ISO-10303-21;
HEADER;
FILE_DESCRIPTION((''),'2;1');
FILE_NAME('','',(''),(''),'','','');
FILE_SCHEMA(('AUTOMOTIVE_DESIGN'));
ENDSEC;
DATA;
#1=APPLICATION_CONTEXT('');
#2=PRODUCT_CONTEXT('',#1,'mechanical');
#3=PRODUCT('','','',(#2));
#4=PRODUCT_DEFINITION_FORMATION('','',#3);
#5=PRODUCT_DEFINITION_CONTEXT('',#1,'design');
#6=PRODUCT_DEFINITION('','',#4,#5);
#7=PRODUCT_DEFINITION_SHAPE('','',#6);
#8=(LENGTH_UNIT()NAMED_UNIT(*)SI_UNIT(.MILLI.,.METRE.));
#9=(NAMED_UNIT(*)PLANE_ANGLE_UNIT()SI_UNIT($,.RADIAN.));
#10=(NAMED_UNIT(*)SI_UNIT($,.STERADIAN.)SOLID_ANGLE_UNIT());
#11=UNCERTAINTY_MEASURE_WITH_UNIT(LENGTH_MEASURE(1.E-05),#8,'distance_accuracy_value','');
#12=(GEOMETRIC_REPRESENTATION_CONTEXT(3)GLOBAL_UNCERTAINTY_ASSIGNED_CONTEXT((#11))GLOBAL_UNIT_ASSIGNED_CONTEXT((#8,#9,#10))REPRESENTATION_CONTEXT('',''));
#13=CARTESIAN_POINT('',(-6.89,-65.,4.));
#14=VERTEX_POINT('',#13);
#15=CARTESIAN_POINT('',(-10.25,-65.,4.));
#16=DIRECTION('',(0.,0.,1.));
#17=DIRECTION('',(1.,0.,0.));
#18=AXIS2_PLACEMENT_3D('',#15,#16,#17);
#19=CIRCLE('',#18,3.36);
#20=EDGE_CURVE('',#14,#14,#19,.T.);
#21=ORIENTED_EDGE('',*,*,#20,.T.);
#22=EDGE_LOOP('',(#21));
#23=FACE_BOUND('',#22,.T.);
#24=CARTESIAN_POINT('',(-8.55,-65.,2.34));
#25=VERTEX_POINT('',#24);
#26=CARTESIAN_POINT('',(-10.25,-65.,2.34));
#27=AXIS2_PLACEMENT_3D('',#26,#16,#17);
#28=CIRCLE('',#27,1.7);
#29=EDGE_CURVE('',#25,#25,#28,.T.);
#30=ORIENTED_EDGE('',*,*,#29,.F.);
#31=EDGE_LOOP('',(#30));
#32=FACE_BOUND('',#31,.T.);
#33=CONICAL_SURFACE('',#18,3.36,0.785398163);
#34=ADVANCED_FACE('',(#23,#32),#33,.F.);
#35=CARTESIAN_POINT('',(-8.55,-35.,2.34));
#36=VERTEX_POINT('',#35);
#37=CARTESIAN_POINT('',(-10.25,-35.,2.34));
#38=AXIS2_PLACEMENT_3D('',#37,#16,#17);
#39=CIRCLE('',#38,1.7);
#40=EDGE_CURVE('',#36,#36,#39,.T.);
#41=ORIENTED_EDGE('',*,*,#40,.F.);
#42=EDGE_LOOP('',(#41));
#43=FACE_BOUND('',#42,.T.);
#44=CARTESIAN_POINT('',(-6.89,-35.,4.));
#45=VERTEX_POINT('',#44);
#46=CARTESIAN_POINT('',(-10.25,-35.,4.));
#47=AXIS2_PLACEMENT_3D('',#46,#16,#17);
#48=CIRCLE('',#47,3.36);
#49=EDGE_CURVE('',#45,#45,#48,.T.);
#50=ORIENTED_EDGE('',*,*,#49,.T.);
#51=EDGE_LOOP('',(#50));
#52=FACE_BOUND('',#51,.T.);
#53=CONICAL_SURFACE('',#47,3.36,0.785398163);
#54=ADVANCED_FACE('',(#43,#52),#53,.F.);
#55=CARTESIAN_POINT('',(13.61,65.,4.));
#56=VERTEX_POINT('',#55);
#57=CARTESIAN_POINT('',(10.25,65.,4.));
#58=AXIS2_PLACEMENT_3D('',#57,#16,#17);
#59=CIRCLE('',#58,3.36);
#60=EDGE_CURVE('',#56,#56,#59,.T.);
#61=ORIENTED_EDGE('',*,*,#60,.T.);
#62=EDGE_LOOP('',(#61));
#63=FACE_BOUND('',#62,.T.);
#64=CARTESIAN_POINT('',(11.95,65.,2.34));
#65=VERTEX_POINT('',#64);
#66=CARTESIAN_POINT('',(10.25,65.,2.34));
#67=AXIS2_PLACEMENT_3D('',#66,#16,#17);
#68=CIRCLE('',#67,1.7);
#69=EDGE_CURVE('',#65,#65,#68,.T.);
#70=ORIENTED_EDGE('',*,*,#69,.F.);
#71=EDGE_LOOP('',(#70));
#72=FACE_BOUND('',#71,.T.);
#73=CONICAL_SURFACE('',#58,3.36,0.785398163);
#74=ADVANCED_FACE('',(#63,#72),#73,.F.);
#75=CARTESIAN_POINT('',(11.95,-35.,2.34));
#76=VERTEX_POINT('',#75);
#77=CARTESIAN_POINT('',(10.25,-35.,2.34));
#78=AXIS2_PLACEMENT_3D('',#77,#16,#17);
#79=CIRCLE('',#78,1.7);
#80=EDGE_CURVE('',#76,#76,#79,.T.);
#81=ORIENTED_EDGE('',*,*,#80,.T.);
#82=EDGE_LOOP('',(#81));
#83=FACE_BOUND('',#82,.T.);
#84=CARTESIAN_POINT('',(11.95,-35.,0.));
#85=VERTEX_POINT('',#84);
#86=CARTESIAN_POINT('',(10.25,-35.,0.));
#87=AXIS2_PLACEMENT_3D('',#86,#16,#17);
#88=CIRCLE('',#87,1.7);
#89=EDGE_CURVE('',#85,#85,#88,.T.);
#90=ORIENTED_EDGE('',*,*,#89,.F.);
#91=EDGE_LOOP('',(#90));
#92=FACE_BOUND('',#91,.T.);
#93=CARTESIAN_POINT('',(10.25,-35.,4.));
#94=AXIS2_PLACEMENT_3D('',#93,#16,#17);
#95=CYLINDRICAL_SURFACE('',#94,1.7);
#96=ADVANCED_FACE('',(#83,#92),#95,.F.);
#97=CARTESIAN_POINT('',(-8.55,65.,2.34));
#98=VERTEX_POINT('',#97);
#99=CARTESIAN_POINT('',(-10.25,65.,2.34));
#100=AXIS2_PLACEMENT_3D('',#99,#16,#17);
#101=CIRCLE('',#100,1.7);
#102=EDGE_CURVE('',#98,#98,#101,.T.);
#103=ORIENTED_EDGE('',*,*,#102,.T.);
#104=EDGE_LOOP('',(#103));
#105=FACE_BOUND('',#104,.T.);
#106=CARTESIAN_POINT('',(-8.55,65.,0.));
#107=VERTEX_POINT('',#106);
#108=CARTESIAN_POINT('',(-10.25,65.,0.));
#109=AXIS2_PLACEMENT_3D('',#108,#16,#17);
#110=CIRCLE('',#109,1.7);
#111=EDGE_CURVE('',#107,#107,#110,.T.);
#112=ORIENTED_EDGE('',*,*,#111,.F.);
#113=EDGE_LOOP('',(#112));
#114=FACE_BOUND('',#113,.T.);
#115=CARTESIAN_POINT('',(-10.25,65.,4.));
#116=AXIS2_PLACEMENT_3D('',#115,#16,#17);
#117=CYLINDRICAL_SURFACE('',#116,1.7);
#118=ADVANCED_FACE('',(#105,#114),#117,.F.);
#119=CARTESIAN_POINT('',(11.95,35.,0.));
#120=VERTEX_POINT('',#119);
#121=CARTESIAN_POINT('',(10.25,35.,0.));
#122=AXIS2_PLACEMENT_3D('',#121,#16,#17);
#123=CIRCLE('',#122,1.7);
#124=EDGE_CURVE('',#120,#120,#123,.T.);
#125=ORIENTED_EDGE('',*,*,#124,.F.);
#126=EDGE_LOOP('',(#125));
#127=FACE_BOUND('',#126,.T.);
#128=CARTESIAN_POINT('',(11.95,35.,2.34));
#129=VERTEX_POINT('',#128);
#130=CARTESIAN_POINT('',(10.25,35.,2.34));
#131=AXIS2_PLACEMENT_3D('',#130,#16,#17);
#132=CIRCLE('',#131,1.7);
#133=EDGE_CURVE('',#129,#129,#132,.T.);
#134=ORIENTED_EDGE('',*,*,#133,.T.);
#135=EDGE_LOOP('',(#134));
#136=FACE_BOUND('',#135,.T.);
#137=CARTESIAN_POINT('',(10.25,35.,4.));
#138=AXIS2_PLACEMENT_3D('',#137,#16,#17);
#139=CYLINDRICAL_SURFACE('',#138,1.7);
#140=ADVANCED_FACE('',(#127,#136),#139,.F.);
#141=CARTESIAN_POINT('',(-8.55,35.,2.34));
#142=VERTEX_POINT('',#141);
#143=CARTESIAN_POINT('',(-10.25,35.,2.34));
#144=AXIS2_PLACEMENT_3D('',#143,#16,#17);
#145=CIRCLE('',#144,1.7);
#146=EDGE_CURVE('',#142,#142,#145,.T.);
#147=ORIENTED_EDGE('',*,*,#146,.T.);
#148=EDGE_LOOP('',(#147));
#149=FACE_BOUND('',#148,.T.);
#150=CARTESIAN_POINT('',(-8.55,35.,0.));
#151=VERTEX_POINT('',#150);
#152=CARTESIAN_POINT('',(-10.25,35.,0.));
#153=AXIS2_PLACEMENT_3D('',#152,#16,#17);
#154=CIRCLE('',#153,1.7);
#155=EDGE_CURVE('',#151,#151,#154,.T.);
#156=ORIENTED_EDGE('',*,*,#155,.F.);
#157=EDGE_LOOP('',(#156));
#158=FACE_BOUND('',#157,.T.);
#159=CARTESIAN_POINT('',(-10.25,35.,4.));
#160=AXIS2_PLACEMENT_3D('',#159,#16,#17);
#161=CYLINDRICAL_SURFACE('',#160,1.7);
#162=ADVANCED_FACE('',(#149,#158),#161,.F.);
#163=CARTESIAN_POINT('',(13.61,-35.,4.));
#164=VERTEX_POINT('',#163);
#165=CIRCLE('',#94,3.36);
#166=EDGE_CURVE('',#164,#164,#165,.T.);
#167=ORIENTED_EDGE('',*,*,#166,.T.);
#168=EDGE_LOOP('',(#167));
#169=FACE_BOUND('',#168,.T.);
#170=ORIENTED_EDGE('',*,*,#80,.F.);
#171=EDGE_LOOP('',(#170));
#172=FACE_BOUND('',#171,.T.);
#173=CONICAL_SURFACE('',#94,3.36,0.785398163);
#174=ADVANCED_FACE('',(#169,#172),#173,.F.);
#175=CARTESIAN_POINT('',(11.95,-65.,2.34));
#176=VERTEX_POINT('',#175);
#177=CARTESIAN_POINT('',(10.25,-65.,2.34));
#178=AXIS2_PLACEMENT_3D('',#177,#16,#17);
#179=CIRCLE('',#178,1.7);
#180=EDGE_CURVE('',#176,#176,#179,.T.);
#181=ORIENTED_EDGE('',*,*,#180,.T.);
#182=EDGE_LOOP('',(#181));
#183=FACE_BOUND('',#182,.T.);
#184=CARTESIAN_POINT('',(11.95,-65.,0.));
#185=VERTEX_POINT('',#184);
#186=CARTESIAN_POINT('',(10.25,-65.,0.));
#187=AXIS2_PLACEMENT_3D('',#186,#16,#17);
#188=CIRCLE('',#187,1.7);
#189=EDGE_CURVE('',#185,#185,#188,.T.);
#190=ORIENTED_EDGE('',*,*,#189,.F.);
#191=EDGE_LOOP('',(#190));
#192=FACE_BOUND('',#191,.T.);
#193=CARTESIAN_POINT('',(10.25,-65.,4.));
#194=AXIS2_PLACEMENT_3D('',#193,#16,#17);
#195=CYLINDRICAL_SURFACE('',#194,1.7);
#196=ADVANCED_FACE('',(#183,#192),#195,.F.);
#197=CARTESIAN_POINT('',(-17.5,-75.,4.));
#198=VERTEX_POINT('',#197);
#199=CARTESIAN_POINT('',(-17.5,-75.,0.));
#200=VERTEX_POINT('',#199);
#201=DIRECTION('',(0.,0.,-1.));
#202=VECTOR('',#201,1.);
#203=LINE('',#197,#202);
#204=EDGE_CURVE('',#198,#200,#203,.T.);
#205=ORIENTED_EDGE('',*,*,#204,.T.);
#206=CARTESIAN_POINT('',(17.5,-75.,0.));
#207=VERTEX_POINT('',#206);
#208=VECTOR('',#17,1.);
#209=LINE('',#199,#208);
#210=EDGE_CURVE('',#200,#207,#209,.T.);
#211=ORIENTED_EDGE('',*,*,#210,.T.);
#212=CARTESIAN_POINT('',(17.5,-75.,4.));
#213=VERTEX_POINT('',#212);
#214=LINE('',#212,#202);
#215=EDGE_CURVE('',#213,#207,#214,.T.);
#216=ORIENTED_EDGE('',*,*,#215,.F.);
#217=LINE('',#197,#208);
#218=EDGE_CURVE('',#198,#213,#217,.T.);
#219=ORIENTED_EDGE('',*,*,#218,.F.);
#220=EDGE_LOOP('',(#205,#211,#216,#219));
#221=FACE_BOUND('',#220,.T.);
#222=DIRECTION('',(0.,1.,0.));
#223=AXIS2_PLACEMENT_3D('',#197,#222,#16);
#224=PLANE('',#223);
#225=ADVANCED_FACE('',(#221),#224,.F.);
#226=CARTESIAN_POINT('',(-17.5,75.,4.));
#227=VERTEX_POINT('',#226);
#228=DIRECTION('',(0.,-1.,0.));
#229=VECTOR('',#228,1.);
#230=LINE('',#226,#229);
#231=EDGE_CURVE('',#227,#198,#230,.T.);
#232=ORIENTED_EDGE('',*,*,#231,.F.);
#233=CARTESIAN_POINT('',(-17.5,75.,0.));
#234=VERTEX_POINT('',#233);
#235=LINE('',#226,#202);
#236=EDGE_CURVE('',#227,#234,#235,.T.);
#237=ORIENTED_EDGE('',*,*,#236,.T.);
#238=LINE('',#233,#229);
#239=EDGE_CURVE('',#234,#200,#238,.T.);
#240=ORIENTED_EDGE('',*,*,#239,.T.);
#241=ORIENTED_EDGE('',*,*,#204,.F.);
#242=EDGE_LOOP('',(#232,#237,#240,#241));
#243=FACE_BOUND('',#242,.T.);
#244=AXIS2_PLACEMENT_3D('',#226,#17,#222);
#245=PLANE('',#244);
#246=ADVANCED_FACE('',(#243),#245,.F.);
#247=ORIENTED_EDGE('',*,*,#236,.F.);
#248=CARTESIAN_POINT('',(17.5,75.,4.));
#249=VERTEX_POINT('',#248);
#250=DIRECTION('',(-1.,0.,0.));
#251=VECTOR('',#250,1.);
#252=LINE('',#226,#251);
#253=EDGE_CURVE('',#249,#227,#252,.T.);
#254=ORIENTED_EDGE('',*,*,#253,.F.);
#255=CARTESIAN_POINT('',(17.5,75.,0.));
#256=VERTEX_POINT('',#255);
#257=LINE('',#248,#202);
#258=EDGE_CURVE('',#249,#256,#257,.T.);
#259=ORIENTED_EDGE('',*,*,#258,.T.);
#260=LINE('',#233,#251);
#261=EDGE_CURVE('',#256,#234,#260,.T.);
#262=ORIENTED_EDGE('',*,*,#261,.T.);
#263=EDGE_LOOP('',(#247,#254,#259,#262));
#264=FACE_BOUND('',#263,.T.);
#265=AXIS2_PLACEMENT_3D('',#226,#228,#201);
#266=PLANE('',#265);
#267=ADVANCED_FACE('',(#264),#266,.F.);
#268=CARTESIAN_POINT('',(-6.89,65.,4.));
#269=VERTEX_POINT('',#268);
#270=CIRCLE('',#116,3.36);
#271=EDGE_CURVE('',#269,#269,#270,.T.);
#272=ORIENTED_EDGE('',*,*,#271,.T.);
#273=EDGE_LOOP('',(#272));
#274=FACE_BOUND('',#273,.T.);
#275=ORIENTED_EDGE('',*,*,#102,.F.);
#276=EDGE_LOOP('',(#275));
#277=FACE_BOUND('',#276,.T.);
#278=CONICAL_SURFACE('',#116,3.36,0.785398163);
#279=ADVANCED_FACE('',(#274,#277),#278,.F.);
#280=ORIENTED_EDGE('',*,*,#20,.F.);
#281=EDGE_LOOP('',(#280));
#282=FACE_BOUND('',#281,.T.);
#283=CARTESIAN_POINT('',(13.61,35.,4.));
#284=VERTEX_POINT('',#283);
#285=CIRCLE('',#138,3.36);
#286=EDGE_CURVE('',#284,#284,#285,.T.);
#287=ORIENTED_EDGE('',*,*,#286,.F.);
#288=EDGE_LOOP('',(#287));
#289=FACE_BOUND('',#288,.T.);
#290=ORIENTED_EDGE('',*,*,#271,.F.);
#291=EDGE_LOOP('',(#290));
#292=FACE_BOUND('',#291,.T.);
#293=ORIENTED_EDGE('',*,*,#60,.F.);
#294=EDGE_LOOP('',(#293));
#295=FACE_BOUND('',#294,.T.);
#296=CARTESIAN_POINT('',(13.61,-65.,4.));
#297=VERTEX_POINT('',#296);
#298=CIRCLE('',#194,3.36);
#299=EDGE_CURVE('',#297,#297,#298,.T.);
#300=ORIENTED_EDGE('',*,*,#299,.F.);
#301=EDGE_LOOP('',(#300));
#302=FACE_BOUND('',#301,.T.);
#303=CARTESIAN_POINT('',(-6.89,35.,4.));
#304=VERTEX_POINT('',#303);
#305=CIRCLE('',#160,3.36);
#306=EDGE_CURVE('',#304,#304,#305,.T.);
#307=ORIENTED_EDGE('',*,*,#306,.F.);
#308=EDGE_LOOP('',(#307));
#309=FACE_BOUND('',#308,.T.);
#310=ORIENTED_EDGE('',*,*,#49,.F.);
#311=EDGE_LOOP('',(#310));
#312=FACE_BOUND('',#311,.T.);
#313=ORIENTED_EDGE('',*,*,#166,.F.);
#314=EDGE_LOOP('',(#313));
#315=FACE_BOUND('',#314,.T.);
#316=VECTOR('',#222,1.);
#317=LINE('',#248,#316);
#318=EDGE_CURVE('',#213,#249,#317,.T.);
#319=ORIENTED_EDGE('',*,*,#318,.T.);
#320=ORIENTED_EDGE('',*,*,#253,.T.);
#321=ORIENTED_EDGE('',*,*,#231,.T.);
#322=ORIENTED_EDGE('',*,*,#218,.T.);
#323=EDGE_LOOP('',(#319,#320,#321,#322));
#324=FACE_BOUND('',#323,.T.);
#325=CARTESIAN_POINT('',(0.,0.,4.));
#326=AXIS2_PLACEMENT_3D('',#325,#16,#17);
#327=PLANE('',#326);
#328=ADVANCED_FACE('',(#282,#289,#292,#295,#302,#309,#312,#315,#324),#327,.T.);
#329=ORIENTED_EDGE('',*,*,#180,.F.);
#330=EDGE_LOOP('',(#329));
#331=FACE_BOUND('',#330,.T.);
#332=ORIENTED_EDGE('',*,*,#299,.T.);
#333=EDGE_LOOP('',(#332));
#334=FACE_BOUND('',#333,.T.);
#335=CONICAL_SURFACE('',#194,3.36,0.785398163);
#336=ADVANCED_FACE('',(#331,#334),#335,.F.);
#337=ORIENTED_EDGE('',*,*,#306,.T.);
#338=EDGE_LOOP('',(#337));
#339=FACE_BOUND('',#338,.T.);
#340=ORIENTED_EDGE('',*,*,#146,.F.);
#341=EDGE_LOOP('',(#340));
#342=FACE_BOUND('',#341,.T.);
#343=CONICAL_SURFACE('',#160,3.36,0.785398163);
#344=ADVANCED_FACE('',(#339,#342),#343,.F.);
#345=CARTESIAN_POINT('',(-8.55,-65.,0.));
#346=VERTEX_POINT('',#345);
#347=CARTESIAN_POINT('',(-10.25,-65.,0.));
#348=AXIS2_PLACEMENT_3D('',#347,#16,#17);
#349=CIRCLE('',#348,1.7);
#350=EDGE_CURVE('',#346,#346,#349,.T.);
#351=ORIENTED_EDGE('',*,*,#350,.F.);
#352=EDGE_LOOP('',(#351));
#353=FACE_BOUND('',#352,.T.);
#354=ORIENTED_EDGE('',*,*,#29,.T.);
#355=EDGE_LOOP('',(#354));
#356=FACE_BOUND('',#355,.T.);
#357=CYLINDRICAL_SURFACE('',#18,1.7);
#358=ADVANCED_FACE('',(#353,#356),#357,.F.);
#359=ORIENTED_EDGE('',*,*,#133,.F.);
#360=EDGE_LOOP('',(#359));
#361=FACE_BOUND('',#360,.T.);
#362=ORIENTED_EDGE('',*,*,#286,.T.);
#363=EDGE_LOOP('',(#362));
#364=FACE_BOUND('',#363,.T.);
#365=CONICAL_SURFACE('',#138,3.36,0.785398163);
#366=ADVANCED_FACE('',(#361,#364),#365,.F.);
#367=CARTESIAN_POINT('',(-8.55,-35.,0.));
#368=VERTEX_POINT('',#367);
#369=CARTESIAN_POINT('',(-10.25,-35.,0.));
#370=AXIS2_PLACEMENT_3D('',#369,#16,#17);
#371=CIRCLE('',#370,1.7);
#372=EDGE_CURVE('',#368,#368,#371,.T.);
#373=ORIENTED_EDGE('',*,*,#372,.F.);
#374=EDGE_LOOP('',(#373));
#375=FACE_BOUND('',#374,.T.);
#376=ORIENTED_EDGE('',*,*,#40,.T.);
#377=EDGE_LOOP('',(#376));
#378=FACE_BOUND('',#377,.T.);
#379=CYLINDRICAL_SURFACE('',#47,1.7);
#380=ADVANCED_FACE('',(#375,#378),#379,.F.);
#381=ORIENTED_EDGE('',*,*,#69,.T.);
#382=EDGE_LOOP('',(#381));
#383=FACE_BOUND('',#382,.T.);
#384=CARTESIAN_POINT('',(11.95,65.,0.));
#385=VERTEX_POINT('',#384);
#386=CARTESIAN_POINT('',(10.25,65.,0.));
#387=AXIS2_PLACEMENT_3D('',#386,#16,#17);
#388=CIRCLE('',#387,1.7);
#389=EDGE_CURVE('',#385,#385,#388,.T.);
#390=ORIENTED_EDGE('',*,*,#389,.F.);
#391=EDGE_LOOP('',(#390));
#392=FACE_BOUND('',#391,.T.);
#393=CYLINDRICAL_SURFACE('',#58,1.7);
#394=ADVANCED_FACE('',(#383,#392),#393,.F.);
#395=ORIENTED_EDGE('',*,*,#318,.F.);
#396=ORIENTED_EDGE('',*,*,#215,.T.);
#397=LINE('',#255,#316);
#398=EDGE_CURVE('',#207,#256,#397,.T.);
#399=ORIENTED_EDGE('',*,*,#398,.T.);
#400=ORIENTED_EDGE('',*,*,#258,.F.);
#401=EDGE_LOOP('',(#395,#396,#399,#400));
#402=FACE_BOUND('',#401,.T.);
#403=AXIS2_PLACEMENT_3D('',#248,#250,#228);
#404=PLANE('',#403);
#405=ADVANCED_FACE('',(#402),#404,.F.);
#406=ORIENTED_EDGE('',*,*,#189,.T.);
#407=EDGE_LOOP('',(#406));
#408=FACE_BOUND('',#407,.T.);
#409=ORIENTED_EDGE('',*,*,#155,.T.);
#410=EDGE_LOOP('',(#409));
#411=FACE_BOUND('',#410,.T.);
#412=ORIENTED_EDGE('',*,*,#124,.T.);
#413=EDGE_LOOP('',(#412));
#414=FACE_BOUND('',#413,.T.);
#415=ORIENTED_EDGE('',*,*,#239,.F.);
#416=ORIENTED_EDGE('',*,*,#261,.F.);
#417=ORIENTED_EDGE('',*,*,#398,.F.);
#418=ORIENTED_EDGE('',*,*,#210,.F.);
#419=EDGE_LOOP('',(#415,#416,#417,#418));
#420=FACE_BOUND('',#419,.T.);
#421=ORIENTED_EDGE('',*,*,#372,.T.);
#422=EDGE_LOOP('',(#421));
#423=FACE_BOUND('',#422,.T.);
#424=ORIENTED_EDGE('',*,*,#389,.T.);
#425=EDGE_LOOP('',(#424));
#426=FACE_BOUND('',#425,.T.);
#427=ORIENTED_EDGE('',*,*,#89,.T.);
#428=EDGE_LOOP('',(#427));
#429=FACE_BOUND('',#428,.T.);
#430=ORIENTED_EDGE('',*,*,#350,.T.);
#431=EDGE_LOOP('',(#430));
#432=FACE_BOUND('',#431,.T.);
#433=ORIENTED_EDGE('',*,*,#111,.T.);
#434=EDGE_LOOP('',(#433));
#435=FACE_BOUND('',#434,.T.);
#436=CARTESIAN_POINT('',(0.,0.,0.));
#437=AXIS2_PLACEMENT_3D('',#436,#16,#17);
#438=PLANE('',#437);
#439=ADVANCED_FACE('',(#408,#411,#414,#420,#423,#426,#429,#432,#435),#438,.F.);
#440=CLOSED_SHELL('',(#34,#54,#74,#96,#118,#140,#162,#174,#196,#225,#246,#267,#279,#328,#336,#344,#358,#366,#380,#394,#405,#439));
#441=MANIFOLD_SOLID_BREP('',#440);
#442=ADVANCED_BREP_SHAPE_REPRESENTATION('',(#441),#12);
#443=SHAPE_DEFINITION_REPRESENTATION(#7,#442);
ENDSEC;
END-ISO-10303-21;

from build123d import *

# Parameters (mm, degrees)
SKETCH_1_W                   = 35
SKETCH_1_H                   = 150
EXTRUDE_1_DEPTH              = 4
HOLE_WIZARD_M3_1_D           = 3.4
HOLE_WIZARD_M3_1_CSINK_D     = 6.72
HOLE_WIZARD_M3_1_CSINK_ANGLE = 90


with BuildPart() as part:
    # 草图1 → 凸台-拉伸1 (new body)
    with BuildSketch(Plane.XY):
        Rectangle(SKETCH_1_W, SKETCH_1_H)
    extrude(amount=EXTRUDE_1_DEPTH)

    # M3 六角凹锥坑螺钉的锥形沉头孔1 (through all)
    with Locations(Plane(origin=(-10.25, -35, 4), x_dir=(1, 0, 0), z_dir=(0, 0, 1))):
        with Locations((0, 0), (20.5, 0), (20.5, -30), (0, -30), (0, 100), (20.5, 100), (20.5, 70), (0, 70)):
            CounterSinkHole(HOLE_WIZARD_M3_1_D / 2, HOLE_WIZARD_M3_1_CSINK_D / 2, counter_sink_angle=HOLE_WIZARD_M3_1_CSINK_ANGLE)


solid = part.part
